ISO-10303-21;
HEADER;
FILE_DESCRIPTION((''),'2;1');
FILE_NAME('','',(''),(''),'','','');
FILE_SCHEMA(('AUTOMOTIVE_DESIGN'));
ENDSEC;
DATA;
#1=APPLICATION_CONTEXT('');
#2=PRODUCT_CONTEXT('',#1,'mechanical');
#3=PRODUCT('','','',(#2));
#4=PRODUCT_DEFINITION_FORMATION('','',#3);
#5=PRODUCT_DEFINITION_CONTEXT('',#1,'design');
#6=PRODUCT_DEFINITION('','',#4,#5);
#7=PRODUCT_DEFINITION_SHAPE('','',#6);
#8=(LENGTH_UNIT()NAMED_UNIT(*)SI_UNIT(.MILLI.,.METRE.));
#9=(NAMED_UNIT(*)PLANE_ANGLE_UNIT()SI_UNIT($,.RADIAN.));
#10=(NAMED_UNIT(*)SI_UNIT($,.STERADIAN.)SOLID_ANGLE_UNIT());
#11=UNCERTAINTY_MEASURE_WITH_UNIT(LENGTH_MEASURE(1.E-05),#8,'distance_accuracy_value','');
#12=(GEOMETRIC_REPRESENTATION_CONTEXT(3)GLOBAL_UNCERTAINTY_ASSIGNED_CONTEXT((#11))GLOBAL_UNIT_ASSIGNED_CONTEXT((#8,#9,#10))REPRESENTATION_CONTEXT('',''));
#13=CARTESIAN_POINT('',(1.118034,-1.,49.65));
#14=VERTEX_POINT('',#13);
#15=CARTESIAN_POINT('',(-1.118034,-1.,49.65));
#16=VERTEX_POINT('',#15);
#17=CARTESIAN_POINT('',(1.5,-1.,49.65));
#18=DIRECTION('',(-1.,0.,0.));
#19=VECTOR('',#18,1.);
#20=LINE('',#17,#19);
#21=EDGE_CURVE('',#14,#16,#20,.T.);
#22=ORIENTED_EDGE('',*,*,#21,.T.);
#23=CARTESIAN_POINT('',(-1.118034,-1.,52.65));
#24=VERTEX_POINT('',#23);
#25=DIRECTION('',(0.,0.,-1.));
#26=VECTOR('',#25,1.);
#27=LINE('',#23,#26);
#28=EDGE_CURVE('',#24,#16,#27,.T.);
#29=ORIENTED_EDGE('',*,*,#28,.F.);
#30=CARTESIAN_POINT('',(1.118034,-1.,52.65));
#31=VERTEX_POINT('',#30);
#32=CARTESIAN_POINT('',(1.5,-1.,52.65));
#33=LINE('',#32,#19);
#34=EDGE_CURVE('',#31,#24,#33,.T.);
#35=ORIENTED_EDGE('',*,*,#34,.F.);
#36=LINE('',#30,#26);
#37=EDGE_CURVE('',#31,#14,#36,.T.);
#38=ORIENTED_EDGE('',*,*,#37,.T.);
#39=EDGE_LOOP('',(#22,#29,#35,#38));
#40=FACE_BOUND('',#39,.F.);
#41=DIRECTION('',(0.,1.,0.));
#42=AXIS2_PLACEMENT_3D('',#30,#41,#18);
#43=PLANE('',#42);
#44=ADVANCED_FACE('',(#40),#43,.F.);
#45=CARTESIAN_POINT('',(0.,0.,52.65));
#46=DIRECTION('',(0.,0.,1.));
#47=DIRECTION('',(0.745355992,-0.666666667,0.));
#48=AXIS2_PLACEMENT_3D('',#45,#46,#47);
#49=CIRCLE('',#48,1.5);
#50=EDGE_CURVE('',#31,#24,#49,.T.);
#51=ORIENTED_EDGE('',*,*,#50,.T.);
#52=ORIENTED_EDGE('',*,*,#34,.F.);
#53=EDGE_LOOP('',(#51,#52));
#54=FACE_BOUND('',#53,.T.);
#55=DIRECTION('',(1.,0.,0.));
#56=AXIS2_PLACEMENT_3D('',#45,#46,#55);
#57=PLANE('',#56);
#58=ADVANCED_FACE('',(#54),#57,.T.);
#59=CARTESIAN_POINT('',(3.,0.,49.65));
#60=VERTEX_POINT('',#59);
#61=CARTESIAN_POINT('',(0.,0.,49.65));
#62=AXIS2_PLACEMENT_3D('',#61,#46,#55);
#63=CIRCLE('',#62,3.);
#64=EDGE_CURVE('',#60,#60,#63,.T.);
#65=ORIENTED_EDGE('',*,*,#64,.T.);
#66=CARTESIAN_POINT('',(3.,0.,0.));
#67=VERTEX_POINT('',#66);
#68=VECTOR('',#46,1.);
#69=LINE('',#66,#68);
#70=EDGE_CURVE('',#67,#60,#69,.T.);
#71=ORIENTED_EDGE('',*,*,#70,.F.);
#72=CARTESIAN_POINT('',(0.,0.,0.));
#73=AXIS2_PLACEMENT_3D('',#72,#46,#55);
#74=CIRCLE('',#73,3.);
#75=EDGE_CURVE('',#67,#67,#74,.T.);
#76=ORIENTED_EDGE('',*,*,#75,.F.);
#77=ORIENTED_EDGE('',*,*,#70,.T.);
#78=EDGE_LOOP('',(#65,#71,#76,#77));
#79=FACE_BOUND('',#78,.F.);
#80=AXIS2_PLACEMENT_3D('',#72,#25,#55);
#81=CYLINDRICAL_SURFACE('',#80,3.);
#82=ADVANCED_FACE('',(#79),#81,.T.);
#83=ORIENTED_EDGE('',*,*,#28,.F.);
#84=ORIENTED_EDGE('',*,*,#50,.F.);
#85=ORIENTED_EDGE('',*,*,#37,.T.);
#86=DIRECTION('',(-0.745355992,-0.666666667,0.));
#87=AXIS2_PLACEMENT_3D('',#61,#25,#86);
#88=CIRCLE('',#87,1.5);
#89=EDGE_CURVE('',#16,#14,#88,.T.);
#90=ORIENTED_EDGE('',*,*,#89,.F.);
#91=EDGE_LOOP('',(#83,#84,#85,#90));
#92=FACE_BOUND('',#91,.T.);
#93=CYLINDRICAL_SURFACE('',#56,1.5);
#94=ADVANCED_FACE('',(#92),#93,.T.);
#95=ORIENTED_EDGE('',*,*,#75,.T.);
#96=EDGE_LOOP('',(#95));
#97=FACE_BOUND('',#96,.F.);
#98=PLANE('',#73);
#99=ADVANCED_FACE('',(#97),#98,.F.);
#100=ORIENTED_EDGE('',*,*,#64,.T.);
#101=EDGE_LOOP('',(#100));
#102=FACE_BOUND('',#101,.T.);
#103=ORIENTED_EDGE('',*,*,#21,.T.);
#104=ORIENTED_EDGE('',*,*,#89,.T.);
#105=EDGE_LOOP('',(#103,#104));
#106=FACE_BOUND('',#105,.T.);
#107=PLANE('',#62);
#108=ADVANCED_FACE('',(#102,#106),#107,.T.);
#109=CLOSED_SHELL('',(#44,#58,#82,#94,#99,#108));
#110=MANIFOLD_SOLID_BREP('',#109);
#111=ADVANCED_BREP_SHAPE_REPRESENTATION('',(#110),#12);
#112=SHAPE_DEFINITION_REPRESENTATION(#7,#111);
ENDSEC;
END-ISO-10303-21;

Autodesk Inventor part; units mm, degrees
ref_plane "YZ Plane" through (0, 0, 0) normal (1, 0, 0) x (0, 1, 0)
ref_plane "XZ Plane" through (0, 0, 0) normal (0, 1, 0) x (-1, 0, 0)
ref_plane "XY Plane" through (0, 0, 0) normal (0, 0, 1) x (1, 0, 0)
sketch "Эскиз1" plane through (0, 0, 0) normal (0, 0, 1) x (1, 0, 0)
  circle A0 centre (0, 0) radius 3
  dimension "d0" = 6
extrude "Выдавливание1" add sketch "Эскиз1" along normal blind 52.65
sketch "Эскиз2" plane through (0, 0, 52.65) normal (0, 0, 1) x (1, 0, 0)
  circle A0 centre (0, 0) radius 1.5
  circle A1 centre (0, 0) radius 3
  line L0 (1.5, -1) -> (-1.5, -1)
  line L1 (-1.5, -1) -> (-1.5, 1)
  line L2 (-1.5, 1) -> (1.5, 1)
  line L3 (1.5, 1) -> (1.5, -1)
  line L4 (1.5, -1) -> (-1.5, 1) construction
  line L5 (-1.5, -1) -> (1.5, 1) construction
  point P0 (-1.5, 0)
  point P1 (1.118, -1)
  point P2 (-1.118, -1)
  dimension "d3" = 3
  dimension "d4" = 2
extrude "Выдавливание2" cut sketch "Эскиз2" against normal blind 3 contours L3 L0 A0 | A0 L2 L3 | A0 L0 | A0 L1 L2 | L0 L1 A0 | A1
properties part number "Ось 6мм задняя"
